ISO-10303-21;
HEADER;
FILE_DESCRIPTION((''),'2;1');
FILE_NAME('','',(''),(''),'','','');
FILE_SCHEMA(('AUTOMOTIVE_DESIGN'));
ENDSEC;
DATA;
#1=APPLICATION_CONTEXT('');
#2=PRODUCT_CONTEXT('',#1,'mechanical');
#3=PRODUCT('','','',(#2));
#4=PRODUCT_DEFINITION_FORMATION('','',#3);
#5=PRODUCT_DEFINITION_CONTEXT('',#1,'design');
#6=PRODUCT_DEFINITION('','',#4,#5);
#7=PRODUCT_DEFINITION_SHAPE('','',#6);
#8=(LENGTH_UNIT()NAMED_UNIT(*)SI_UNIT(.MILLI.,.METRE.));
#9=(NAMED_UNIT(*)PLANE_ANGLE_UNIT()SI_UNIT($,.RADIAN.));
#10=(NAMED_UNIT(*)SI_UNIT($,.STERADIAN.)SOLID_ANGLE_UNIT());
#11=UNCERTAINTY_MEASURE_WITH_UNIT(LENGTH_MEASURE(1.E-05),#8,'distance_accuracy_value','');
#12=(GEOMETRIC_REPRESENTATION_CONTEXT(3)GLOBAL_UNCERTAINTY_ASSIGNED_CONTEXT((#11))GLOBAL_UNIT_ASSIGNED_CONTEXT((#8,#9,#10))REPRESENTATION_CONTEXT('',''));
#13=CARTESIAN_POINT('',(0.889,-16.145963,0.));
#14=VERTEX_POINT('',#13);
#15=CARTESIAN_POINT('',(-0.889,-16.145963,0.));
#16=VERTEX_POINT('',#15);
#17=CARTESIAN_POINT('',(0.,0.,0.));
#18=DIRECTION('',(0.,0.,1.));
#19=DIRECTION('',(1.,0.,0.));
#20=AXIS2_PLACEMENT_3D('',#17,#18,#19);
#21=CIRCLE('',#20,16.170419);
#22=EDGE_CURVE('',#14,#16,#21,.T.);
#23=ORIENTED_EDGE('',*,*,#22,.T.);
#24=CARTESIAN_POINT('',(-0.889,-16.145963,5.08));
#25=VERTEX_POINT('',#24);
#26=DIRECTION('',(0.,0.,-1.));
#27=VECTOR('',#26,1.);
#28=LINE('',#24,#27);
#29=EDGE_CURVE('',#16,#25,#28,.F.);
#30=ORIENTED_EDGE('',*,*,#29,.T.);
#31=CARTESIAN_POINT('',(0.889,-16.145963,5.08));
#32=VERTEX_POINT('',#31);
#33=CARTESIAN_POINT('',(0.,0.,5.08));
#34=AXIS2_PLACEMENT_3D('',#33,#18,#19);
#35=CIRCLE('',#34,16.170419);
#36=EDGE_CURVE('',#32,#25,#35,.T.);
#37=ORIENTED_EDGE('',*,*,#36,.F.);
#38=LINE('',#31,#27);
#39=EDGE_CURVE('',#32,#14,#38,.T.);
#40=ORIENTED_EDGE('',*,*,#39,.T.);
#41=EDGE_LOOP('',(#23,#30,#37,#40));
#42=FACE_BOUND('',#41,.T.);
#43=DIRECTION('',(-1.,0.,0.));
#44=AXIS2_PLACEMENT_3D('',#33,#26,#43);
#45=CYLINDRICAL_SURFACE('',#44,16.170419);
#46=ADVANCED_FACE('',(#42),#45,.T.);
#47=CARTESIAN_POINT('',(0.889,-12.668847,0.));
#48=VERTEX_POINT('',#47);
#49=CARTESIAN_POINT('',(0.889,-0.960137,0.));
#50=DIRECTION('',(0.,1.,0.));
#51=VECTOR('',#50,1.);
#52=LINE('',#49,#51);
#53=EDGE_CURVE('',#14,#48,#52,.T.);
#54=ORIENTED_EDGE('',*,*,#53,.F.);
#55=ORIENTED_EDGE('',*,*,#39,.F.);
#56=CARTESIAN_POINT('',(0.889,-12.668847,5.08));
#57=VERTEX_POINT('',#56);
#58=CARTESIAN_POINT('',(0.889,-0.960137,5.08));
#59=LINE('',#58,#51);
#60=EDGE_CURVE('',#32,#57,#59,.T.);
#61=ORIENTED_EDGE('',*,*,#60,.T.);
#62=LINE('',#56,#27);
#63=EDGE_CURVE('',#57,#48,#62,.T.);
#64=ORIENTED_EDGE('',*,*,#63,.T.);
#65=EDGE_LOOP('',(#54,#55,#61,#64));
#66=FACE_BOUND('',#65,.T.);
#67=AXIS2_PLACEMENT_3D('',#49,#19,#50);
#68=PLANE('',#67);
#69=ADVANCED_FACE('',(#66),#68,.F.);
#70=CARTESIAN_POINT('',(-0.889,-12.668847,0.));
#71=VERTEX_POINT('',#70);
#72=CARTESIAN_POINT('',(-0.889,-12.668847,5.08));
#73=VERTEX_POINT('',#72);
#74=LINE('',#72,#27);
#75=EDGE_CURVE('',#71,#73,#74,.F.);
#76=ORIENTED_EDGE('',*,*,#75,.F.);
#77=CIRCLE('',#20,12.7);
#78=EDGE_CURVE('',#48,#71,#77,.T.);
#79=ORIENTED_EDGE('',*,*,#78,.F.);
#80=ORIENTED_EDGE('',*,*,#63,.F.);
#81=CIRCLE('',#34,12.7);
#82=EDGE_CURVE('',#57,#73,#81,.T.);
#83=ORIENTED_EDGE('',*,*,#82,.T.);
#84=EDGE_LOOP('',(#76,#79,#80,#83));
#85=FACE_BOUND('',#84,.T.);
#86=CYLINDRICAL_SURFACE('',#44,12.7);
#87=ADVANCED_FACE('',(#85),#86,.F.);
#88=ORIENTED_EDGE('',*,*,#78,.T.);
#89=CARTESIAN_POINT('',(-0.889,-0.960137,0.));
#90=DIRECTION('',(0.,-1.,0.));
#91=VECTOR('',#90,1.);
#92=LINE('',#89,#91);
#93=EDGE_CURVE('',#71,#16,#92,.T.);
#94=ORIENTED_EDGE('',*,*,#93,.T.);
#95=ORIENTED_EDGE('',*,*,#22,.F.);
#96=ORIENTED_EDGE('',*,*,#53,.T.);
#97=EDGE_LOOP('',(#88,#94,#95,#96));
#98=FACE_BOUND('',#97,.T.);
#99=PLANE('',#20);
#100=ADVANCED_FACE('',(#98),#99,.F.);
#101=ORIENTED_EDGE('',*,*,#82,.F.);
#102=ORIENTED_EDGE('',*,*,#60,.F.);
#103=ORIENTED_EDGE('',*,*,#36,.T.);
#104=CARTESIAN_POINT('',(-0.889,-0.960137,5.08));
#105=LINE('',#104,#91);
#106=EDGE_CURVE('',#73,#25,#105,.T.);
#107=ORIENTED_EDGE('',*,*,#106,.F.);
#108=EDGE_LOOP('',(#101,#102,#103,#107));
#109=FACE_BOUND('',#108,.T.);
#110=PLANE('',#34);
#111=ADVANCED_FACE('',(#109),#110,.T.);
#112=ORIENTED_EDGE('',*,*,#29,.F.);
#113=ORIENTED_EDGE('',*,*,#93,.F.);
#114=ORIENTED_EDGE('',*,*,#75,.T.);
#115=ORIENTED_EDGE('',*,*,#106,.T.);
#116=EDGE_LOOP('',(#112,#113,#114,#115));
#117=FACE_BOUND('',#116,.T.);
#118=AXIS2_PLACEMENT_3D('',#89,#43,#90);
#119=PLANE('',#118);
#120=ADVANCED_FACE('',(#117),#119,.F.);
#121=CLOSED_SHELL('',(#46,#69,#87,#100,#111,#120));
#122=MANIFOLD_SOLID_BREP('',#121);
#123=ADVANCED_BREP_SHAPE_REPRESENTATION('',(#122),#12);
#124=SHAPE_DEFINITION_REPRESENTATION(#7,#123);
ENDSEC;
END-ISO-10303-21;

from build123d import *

# Parameters (mm, degrees)
SKETCH1_R           = 16.170418598
SKETCH1_R_2         = 12.7
BOSS_EXTRUDE1_DEPTH = 5.08
SKETCH2_W           = 1.778
SKETCH2_H           = 15.890272107
CUT_EXTRUDE1_DEPTH  = 5.08


with BuildPart() as part:
    # Sketch1 → Boss-Extrude1 (new body)
    with BuildSketch(Plane.XY):
        Circle(SKETCH1_R)
        Circle(SKETCH1_R_2, mode=Mode.SUBTRACT)
    extrude(amount=BOSS_EXTRUDE1_DEPTH)

    # Sketch2 → Cut-Extrude1 (cut)
    with BuildSketch(Plane.XY.offset(5.08)):
        with Locations((0, -8.90527334)):
            Rectangle(SKETCH2_W, SKETCH2_H)
    extrude(amount=-CUT_EXTRUDE1_DEPTH, mode=Mode.SUBTRACT)


solid = part.part
